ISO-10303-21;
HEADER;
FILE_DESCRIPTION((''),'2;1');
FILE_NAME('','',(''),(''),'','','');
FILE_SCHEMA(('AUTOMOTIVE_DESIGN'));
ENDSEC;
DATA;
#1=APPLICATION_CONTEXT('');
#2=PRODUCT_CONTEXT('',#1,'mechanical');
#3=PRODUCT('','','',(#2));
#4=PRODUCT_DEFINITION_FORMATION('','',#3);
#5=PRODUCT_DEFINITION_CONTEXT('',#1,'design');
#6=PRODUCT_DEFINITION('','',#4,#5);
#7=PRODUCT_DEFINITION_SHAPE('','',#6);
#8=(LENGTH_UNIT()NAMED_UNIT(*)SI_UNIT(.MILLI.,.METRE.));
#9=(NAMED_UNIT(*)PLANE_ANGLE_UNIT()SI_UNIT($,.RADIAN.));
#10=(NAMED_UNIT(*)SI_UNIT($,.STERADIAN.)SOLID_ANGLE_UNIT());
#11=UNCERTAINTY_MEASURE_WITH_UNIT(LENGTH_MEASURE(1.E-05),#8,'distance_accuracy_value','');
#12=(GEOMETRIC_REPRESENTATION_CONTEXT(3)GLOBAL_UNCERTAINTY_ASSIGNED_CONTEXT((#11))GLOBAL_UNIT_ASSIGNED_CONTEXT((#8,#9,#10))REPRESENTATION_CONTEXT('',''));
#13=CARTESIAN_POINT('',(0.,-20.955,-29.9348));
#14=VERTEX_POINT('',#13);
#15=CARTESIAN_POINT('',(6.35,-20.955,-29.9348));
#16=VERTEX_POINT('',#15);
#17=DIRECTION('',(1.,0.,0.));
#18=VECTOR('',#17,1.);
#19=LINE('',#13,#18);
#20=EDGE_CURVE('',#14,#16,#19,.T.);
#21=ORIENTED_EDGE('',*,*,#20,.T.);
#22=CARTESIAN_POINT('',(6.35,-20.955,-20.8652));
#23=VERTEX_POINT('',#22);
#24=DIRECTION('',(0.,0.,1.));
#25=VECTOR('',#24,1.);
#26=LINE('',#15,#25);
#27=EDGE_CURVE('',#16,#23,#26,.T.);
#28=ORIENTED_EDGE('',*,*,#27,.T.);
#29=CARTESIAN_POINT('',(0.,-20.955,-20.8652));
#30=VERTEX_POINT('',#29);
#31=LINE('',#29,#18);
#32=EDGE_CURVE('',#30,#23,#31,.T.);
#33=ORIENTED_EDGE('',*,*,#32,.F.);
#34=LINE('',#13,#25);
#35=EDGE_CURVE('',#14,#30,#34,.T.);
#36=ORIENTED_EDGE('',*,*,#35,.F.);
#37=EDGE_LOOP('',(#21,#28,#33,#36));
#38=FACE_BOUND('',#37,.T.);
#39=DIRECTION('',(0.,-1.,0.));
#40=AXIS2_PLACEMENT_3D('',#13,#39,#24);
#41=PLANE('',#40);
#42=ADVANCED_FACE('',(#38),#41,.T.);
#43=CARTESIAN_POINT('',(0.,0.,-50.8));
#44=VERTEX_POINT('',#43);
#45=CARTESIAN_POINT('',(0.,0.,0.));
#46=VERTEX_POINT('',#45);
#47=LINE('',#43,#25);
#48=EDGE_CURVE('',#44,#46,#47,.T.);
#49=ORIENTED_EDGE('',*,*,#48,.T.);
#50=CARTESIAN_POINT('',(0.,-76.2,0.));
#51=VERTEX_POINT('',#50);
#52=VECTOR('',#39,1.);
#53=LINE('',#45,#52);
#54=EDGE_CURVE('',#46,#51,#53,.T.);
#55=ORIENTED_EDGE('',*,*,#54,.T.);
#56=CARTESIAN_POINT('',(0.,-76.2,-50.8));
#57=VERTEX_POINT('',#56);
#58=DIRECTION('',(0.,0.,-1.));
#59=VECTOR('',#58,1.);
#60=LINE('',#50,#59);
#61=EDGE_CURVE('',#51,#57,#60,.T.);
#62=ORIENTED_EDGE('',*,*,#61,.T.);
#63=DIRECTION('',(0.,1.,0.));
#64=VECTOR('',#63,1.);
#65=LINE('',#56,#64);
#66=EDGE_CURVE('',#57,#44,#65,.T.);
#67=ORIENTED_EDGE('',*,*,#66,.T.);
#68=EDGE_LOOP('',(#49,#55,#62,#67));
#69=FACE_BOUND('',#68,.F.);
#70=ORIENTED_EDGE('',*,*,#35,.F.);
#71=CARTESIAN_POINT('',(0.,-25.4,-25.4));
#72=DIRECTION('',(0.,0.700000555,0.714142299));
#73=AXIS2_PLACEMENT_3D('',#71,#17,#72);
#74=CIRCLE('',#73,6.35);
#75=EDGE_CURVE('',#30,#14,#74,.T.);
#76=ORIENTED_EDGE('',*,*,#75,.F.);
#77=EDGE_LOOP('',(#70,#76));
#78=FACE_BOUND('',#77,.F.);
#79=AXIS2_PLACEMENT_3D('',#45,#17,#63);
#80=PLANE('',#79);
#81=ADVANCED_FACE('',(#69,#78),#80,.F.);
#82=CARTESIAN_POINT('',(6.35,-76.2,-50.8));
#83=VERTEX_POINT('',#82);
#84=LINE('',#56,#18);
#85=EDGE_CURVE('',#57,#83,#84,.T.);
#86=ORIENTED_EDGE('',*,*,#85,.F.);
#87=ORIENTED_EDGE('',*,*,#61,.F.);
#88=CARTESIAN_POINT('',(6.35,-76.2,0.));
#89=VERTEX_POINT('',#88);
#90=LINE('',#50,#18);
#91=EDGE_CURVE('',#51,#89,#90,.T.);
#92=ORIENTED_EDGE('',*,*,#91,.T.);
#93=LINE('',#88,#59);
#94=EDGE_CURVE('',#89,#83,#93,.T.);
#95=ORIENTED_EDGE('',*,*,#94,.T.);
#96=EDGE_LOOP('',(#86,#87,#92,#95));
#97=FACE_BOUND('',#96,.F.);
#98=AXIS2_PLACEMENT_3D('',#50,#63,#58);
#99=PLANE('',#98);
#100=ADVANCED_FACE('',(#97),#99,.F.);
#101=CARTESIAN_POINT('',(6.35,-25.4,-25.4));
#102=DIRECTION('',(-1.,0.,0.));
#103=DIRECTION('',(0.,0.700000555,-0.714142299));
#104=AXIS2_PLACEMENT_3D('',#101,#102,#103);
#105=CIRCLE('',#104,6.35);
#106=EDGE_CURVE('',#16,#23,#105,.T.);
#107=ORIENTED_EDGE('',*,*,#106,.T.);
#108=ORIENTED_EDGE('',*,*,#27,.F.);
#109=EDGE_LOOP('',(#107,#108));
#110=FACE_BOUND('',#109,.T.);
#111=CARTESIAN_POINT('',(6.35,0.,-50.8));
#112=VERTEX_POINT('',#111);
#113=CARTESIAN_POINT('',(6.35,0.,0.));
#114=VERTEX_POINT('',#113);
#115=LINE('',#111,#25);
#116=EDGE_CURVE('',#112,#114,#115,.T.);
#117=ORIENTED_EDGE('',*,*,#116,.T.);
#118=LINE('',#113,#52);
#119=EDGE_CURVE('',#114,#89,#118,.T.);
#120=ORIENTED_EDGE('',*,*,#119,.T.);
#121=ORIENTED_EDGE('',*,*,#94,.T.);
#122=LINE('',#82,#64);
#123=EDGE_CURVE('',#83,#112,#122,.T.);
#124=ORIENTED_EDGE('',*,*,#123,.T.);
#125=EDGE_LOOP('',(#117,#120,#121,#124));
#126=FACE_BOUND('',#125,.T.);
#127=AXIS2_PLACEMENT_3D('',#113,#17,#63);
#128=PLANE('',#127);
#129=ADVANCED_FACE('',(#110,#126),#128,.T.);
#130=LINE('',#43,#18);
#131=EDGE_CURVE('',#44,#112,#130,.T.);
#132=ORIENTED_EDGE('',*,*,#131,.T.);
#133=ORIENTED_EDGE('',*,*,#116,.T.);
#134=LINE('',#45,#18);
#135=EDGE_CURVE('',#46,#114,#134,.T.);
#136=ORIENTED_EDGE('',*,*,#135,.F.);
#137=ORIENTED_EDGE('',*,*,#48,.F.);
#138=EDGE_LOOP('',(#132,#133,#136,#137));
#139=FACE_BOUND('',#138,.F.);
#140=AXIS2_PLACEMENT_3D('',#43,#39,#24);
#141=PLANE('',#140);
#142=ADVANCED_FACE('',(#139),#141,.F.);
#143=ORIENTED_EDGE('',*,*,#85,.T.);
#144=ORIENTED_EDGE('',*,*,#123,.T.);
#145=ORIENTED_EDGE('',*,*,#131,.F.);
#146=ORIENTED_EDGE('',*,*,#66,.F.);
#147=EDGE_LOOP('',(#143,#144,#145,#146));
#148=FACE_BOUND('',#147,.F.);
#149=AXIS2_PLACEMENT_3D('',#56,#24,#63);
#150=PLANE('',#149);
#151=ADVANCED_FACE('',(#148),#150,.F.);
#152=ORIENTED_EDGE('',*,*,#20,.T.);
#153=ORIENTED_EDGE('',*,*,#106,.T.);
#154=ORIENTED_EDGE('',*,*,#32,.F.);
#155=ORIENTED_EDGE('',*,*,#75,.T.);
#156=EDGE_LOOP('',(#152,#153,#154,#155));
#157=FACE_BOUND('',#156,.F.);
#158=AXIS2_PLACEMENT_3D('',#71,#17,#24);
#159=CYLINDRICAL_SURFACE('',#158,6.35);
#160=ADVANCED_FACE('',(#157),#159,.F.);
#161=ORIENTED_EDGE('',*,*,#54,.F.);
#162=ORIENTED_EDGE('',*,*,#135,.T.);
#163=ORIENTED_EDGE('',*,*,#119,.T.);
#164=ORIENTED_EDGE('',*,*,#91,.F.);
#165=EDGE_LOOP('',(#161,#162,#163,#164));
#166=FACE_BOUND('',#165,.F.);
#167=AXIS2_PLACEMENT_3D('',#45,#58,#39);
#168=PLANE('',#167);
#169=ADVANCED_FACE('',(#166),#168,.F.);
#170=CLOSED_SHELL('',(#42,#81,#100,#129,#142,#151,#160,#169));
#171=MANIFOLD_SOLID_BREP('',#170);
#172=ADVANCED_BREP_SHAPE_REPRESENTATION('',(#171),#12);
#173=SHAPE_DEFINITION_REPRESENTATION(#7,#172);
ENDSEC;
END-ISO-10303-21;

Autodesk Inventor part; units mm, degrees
ref_plane "YZ Plane" through (0, 0, 0) normal (1, 0, 0) x (0, 1, 0)
ref_plane "XZ Plane" through (0, 0, 0) normal (0, 1, 0) x (-1, 0, 0)
ref_plane "XY Plane" through (0, 0, 0) normal (0, 0, 1) x (1, 0, 0)
sketch "Sketch1" plane through (0, 0, 0) normal (1, 0, 0) x (0, 1, 0)
  line L0 (0, 0) -> (-76.2, 0)
  line L1 (-76.2, 0) -> (-76.2, -50.8)
  line L2 (-76.2, -50.8) -> (0, -50.8)
  line L3 (0, -50.8) -> (0, 0)
  dimension "d0" = 76.2
  dimension "d1" = 50.8
extrude "Extrusion1" add sketch "Sketch1" along normal blind 6.35
sketch "Sketch2" plane through (0, 0, 0) normal (-1, 0, 0) x (0, 0, 1)
  line L0 (-50.8, -76.2) -> (-50.8, 0) projected
  line L1 (0, 0) -> (0, -76.2) projected
  line L2 (-50.8, 0) -> (0, 0) projected
  point P0 (-25.4, -25.4)
  dimension "d4" = 50.8
  dimension "d5" = 25.4
  dimension "d6" = 25.4
hole "Hole1" at (0, -25.4, -25.4) direction (1, 0, 0) diameter 12.7 depth 25.4 tip angle 118
sketch "Sketch3" plane through (0, 0, 0) normal (-1, 0, 0) x (0, 0, 1)
  circle A0 centre (-25.4, -25.4) radius 6.35 projected
  line L0 (0, 0) -> (0, -76.2) projected
  line L1 (-50.8, 0) -> (0, 0) projected
  line L2 (-50.8, -76.2) -> (-50.8, 0) projected
  line L3 (0, -76.2) -> (-50.8, -76.2) projected
  circle A1 centre (-25.4, -25.4) radius 6.35 projected
  line L4 (-29.9348, -20.955) -> (-20.8652, -20.955)
  line L5 (-50.8, 0) -> (0, 0) projected
  dimension "d14" = 4.445
extrude "Extrusion2" add sketch "Sketch3" against normal blind 6.35 contours L4 A0 picked at (-25.16, -20.3336)
equation "\"d5\" = 0.5 * d4"
equation "\"d6\" = d5"
properties part number "StressTestPlate"
